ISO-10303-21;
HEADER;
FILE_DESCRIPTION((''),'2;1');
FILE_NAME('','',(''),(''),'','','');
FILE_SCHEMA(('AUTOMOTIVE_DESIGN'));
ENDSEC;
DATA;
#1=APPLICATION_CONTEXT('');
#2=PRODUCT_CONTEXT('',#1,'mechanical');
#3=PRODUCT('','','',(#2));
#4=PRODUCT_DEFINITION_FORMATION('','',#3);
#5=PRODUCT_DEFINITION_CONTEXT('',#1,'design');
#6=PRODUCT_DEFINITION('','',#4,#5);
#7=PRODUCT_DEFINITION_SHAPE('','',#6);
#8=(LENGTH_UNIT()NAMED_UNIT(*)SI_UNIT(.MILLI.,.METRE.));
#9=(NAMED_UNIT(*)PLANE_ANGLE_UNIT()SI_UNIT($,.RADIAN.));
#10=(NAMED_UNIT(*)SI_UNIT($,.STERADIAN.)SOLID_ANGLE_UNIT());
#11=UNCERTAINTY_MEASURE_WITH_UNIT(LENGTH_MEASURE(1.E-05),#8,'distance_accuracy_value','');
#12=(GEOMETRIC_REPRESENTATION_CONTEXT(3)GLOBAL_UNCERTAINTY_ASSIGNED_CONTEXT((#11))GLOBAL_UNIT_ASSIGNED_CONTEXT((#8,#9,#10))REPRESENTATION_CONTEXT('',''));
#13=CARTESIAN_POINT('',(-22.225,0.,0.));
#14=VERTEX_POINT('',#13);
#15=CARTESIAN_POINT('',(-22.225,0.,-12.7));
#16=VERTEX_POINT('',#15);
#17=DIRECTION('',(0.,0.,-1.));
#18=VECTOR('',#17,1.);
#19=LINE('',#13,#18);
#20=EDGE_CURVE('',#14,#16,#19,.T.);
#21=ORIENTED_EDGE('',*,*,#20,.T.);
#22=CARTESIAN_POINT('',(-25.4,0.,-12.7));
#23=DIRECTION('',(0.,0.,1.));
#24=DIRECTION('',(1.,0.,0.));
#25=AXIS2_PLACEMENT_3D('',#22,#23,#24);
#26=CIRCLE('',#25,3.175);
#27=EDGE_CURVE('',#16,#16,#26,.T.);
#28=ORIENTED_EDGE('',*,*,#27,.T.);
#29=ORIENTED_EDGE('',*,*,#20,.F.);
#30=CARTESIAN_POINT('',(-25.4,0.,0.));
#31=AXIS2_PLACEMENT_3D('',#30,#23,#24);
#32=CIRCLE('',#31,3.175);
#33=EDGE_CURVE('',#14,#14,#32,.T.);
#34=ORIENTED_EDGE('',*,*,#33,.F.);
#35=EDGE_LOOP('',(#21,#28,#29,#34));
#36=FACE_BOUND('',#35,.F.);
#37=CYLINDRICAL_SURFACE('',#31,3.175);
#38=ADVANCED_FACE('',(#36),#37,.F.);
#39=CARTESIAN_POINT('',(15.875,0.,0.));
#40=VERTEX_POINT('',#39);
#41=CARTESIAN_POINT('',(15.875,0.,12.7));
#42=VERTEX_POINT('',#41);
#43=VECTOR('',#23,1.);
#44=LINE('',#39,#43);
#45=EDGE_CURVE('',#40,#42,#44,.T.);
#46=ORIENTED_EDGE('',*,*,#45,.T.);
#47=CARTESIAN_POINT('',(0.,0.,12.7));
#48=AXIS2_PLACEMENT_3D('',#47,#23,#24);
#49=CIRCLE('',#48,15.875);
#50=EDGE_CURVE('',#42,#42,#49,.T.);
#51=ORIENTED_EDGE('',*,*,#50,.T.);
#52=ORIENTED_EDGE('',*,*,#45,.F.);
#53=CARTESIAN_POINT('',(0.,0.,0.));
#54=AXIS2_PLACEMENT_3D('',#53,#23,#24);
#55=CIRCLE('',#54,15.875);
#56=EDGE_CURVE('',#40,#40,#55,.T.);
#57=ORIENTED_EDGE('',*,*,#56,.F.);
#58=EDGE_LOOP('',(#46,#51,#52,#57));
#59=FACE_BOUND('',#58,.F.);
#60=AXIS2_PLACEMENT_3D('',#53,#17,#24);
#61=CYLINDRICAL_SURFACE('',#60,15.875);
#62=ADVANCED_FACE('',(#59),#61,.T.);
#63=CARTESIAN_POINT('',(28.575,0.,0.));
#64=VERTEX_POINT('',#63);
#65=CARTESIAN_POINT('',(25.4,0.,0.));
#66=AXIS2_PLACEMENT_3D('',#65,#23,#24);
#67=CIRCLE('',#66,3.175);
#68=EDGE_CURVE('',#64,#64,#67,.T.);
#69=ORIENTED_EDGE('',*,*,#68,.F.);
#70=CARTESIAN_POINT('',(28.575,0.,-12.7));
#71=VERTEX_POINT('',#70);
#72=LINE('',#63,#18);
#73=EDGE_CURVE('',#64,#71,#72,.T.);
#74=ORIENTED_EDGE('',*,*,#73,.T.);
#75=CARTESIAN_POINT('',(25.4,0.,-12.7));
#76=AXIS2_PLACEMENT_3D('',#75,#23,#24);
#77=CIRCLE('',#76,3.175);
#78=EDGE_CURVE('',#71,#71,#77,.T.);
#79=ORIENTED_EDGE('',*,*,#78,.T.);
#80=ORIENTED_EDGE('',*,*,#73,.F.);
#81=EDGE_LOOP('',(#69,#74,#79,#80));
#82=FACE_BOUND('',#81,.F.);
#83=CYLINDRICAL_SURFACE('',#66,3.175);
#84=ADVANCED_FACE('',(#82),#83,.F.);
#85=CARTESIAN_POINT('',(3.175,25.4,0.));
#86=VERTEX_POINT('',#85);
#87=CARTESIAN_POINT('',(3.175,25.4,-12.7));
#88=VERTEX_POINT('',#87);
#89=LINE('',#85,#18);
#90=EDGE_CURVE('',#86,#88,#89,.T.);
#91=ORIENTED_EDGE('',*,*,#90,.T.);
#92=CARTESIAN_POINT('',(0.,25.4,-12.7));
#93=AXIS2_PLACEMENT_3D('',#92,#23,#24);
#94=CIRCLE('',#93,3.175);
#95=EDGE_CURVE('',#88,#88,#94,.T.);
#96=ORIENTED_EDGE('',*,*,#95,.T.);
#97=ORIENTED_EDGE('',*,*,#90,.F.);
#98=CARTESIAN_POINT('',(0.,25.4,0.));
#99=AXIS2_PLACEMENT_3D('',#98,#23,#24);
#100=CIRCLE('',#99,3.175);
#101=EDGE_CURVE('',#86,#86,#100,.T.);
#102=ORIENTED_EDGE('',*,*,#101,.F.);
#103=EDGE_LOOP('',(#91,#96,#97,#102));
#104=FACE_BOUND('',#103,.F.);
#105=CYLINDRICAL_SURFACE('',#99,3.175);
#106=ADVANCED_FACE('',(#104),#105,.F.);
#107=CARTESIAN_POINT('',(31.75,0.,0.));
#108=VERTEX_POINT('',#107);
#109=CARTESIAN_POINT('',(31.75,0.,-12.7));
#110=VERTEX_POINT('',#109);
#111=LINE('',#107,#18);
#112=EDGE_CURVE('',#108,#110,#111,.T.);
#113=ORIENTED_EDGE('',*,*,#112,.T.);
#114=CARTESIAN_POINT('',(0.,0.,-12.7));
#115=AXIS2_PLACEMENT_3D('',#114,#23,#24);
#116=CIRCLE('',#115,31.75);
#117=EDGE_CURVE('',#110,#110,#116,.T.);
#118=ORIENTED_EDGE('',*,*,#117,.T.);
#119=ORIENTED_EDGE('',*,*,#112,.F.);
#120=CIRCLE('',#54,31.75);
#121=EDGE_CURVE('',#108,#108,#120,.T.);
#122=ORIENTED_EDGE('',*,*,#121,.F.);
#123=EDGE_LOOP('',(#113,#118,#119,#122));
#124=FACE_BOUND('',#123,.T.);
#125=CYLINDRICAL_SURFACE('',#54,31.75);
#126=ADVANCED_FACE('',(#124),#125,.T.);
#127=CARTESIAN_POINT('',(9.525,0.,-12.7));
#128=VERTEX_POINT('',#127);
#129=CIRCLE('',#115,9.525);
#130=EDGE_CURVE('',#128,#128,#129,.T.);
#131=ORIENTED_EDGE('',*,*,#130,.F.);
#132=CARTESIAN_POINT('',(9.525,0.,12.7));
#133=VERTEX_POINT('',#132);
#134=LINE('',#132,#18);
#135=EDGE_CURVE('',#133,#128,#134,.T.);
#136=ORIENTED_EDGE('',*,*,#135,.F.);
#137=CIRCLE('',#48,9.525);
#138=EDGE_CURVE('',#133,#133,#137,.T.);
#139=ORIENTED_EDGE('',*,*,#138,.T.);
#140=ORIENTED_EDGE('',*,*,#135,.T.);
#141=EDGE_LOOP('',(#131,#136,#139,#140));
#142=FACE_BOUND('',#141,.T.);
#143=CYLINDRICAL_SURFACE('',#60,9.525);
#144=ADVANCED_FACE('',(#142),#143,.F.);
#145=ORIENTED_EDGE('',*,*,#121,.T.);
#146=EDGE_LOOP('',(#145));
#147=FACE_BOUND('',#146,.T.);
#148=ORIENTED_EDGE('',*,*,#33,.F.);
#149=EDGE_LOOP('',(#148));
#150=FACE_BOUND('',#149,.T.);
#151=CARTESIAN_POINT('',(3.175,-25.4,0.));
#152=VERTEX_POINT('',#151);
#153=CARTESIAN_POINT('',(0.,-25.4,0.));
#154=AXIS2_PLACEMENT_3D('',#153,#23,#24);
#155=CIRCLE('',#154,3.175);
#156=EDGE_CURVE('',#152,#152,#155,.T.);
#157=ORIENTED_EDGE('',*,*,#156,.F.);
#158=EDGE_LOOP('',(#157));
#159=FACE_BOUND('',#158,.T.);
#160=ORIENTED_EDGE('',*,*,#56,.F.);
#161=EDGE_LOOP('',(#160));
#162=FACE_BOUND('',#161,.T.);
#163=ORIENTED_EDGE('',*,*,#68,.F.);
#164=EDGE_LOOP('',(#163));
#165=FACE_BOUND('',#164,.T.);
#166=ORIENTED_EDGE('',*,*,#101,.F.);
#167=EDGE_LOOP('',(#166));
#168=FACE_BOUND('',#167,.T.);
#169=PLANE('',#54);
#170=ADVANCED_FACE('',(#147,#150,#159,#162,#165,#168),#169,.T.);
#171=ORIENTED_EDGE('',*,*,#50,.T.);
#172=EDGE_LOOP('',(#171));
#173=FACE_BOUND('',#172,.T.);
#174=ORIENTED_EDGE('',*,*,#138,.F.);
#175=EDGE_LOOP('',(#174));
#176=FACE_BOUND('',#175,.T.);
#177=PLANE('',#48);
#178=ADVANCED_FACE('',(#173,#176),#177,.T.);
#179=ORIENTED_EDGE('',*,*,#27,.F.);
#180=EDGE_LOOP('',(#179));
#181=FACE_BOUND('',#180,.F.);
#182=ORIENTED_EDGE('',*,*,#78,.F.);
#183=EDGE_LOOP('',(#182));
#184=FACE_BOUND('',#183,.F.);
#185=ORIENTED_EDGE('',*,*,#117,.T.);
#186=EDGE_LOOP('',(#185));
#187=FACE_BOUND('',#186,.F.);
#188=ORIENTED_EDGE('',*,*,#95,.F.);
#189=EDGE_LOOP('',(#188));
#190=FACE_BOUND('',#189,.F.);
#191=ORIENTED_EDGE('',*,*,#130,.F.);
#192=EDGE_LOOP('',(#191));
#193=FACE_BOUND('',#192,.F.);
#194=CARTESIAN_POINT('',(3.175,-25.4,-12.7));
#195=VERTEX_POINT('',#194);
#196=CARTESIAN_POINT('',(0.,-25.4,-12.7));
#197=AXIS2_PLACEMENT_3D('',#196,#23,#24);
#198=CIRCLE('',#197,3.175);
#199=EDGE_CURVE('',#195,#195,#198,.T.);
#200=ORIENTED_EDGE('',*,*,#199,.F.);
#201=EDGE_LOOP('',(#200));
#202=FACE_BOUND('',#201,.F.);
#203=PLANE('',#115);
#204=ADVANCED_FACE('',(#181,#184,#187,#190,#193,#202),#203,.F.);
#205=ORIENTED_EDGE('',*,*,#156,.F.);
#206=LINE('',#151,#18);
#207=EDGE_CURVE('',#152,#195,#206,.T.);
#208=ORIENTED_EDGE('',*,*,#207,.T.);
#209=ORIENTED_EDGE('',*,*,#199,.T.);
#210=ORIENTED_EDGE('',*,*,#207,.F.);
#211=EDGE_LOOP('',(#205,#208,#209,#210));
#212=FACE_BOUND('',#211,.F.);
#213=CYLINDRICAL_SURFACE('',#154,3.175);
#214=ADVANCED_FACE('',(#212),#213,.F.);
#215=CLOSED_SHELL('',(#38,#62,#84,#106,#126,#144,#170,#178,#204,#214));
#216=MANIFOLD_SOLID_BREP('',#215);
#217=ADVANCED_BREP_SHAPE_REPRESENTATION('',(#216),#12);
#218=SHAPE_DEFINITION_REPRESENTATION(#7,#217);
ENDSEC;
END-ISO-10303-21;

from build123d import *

# Parameters (mm, degrees)
F0_R     = 31.75
F0_R_2   = 3.175
F0_R_3   = 15.875
F0_R_4   = 9.525
F1_DEPTH = 12.7
F2_DEPTH = 12.7


with BuildPart() as f1:
    # F0 (on Top) → F1 (new body)
    with BuildSketch(Plane.XY):
        Circle(F0_R)
        with Locations((0, -25.4)):
            Circle(F0_R_2, mode=Mode.SUBTRACT)
        with Locations((-25.4, 0)):
            Circle(F0_R_2, mode=Mode.SUBTRACT)
        Circle(F0_R_3, mode=Mode.SUBTRACT)
        with Locations((25.4, 0)):
            Circle(F0_R_2, mode=Mode.SUBTRACT)
        with Locations((0, 25.4)):
            Circle(F0_R_2, mode=Mode.SUBTRACT)
        Circle(F0_R_3)
        Circle(F0_R_4, mode=Mode.SUBTRACT)
    extrude(amount=-F1_DEPTH)

    # F0 (on Top) → F2 (join)
    with BuildSketch(Plane.XY):
        Circle(F0_R_3)
        Circle(F0_R_4, mode=Mode.SUBTRACT)
    extrude(amount=F2_DEPTH)


solid = f1.part
